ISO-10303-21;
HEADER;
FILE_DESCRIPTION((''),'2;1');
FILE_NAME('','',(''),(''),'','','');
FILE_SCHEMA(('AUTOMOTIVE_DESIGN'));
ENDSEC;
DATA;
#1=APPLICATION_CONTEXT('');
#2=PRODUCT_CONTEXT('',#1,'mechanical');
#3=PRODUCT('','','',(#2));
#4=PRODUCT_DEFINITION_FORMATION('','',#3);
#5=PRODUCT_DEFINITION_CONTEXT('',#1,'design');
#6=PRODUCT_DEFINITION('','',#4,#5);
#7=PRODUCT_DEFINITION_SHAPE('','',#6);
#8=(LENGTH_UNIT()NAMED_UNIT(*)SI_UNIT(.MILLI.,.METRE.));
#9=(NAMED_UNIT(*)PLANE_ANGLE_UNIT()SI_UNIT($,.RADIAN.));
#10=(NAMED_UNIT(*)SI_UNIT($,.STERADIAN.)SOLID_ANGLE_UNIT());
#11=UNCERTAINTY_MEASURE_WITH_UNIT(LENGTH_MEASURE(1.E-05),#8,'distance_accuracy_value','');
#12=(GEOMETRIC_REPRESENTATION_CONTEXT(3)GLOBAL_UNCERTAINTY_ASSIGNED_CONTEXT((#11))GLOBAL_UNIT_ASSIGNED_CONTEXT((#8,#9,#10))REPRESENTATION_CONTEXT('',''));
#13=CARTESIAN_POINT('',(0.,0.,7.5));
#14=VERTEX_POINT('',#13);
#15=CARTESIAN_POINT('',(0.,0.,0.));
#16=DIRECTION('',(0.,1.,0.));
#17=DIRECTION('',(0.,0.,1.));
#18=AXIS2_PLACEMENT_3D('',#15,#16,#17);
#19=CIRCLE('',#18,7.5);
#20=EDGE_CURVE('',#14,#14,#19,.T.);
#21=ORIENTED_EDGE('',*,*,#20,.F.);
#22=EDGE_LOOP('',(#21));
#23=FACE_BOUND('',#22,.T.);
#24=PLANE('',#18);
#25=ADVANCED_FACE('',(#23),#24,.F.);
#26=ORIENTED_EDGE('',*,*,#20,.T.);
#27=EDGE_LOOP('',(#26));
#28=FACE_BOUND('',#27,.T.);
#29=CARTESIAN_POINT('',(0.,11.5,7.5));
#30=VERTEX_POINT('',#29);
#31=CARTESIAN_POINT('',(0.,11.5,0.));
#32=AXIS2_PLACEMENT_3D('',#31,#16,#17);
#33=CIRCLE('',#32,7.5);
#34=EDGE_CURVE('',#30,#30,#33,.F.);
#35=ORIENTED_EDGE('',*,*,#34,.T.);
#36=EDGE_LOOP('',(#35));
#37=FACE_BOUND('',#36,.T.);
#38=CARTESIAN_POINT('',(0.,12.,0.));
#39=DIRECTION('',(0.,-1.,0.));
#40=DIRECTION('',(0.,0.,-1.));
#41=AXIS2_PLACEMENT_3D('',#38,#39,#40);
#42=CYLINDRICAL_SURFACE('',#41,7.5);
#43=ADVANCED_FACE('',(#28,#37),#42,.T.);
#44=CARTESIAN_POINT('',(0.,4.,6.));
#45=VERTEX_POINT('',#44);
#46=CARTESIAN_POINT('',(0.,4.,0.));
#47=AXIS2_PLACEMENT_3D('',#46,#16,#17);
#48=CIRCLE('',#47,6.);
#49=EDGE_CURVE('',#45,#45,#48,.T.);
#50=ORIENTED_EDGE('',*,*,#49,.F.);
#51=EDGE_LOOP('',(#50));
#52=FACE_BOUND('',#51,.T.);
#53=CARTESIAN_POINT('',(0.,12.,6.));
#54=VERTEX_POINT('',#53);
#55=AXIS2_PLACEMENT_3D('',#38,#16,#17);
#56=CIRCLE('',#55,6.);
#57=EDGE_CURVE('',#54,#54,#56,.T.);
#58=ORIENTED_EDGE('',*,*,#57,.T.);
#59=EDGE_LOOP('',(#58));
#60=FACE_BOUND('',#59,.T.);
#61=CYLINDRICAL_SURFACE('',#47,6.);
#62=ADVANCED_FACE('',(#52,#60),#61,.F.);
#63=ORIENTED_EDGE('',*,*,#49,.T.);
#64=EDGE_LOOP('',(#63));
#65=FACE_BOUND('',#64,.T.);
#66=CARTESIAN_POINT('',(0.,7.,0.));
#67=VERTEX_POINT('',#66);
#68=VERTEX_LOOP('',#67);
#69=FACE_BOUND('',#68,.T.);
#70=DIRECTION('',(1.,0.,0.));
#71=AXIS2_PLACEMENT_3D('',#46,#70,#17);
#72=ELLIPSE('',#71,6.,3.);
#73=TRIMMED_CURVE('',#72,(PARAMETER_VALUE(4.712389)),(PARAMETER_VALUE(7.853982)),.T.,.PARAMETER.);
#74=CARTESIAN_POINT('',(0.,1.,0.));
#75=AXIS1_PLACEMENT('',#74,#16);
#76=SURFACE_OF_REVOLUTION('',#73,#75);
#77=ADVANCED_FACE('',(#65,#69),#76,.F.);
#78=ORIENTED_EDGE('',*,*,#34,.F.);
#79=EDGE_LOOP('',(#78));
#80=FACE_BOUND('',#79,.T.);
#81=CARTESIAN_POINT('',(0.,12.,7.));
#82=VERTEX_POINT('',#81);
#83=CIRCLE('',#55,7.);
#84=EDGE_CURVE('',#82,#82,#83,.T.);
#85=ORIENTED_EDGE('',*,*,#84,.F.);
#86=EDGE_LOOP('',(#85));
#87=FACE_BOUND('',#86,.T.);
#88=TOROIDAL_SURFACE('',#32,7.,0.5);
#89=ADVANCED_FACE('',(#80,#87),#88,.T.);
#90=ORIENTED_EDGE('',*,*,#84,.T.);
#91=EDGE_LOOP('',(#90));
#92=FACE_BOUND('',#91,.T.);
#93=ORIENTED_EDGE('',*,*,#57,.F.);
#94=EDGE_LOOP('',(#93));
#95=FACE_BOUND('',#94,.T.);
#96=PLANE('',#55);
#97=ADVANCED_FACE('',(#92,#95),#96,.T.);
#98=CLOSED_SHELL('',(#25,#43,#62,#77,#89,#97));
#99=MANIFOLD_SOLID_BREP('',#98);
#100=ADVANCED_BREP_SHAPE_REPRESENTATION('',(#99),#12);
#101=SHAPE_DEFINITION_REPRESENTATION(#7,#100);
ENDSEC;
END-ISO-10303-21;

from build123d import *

# Parameters (mm, degrees)
SKETCH2_R           = 7.5
BOSS_EXTRUDE1_DEPTH = 12
SKETCH3_R           = 6
CUT_EXTRUDE1_DEPTH  = 8
DOME1_FACE_RADIUS   = 6
DOME1_HEIGHT        = 3
FILLET1_R           = 0.5


with BuildPart() as part:
    # Sketch2 → Boss-Extrude1 (new body)
    with BuildSketch(Plane(origin=(0, 0, 0), x_dir=(1, 0, 0), z_dir=(0, 1, 0))):
        with Locations(Location((0, 0, 0), (0, 0, 270))):
            Circle(SKETCH2_R)
    extrude(amount=BOSS_EXTRUDE1_DEPTH)

    # Sketch3 → Cut-Extrude1 (cut)
    with BuildSketch(Plane(origin=(0, 12, 0), x_dir=(1, 0, 0), z_dir=(0, 1, 0))):
        with Locations(Location((0, 0, 0), (0, 0, 270))):
            Circle(SKETCH3_R)
    extrude(amount=-CUT_EXTRUDE1_DEPTH, mode=Mode.SUBTRACT)

    # Dome1: an elliptical dome of height H over a round flat face of radius A is half a spheroid: the quarter ellipse of half axes A and H revolved about the face's axis
    with BuildSketch(Plane((0, 4, 0), x_dir=(0, 0, -1), z_dir=(1, 0, 0)), mode=Mode.PRIVATE) as dome1_quarter:
        Ellipse(DOME1_FACE_RADIUS, DOME1_HEIGHT)
        Rectangle(DOME1_FACE_RADIUS, DOME1_HEIGHT, align=(Align.MIN, Align.MIN), mode=Mode.INTERSECT)
    revolve(dome1_quarter.sketch, axis=Axis((0, 4, 0), (0, 1, 0)))

    # Fillet1
    fillet1_edges = [part.edges().sort_by_distance(p)[0] for p in [
        (0, 12, -7.5),
    ]]
    fillet(fillet1_edges, radius=FILLET1_R)


solid = part.part
